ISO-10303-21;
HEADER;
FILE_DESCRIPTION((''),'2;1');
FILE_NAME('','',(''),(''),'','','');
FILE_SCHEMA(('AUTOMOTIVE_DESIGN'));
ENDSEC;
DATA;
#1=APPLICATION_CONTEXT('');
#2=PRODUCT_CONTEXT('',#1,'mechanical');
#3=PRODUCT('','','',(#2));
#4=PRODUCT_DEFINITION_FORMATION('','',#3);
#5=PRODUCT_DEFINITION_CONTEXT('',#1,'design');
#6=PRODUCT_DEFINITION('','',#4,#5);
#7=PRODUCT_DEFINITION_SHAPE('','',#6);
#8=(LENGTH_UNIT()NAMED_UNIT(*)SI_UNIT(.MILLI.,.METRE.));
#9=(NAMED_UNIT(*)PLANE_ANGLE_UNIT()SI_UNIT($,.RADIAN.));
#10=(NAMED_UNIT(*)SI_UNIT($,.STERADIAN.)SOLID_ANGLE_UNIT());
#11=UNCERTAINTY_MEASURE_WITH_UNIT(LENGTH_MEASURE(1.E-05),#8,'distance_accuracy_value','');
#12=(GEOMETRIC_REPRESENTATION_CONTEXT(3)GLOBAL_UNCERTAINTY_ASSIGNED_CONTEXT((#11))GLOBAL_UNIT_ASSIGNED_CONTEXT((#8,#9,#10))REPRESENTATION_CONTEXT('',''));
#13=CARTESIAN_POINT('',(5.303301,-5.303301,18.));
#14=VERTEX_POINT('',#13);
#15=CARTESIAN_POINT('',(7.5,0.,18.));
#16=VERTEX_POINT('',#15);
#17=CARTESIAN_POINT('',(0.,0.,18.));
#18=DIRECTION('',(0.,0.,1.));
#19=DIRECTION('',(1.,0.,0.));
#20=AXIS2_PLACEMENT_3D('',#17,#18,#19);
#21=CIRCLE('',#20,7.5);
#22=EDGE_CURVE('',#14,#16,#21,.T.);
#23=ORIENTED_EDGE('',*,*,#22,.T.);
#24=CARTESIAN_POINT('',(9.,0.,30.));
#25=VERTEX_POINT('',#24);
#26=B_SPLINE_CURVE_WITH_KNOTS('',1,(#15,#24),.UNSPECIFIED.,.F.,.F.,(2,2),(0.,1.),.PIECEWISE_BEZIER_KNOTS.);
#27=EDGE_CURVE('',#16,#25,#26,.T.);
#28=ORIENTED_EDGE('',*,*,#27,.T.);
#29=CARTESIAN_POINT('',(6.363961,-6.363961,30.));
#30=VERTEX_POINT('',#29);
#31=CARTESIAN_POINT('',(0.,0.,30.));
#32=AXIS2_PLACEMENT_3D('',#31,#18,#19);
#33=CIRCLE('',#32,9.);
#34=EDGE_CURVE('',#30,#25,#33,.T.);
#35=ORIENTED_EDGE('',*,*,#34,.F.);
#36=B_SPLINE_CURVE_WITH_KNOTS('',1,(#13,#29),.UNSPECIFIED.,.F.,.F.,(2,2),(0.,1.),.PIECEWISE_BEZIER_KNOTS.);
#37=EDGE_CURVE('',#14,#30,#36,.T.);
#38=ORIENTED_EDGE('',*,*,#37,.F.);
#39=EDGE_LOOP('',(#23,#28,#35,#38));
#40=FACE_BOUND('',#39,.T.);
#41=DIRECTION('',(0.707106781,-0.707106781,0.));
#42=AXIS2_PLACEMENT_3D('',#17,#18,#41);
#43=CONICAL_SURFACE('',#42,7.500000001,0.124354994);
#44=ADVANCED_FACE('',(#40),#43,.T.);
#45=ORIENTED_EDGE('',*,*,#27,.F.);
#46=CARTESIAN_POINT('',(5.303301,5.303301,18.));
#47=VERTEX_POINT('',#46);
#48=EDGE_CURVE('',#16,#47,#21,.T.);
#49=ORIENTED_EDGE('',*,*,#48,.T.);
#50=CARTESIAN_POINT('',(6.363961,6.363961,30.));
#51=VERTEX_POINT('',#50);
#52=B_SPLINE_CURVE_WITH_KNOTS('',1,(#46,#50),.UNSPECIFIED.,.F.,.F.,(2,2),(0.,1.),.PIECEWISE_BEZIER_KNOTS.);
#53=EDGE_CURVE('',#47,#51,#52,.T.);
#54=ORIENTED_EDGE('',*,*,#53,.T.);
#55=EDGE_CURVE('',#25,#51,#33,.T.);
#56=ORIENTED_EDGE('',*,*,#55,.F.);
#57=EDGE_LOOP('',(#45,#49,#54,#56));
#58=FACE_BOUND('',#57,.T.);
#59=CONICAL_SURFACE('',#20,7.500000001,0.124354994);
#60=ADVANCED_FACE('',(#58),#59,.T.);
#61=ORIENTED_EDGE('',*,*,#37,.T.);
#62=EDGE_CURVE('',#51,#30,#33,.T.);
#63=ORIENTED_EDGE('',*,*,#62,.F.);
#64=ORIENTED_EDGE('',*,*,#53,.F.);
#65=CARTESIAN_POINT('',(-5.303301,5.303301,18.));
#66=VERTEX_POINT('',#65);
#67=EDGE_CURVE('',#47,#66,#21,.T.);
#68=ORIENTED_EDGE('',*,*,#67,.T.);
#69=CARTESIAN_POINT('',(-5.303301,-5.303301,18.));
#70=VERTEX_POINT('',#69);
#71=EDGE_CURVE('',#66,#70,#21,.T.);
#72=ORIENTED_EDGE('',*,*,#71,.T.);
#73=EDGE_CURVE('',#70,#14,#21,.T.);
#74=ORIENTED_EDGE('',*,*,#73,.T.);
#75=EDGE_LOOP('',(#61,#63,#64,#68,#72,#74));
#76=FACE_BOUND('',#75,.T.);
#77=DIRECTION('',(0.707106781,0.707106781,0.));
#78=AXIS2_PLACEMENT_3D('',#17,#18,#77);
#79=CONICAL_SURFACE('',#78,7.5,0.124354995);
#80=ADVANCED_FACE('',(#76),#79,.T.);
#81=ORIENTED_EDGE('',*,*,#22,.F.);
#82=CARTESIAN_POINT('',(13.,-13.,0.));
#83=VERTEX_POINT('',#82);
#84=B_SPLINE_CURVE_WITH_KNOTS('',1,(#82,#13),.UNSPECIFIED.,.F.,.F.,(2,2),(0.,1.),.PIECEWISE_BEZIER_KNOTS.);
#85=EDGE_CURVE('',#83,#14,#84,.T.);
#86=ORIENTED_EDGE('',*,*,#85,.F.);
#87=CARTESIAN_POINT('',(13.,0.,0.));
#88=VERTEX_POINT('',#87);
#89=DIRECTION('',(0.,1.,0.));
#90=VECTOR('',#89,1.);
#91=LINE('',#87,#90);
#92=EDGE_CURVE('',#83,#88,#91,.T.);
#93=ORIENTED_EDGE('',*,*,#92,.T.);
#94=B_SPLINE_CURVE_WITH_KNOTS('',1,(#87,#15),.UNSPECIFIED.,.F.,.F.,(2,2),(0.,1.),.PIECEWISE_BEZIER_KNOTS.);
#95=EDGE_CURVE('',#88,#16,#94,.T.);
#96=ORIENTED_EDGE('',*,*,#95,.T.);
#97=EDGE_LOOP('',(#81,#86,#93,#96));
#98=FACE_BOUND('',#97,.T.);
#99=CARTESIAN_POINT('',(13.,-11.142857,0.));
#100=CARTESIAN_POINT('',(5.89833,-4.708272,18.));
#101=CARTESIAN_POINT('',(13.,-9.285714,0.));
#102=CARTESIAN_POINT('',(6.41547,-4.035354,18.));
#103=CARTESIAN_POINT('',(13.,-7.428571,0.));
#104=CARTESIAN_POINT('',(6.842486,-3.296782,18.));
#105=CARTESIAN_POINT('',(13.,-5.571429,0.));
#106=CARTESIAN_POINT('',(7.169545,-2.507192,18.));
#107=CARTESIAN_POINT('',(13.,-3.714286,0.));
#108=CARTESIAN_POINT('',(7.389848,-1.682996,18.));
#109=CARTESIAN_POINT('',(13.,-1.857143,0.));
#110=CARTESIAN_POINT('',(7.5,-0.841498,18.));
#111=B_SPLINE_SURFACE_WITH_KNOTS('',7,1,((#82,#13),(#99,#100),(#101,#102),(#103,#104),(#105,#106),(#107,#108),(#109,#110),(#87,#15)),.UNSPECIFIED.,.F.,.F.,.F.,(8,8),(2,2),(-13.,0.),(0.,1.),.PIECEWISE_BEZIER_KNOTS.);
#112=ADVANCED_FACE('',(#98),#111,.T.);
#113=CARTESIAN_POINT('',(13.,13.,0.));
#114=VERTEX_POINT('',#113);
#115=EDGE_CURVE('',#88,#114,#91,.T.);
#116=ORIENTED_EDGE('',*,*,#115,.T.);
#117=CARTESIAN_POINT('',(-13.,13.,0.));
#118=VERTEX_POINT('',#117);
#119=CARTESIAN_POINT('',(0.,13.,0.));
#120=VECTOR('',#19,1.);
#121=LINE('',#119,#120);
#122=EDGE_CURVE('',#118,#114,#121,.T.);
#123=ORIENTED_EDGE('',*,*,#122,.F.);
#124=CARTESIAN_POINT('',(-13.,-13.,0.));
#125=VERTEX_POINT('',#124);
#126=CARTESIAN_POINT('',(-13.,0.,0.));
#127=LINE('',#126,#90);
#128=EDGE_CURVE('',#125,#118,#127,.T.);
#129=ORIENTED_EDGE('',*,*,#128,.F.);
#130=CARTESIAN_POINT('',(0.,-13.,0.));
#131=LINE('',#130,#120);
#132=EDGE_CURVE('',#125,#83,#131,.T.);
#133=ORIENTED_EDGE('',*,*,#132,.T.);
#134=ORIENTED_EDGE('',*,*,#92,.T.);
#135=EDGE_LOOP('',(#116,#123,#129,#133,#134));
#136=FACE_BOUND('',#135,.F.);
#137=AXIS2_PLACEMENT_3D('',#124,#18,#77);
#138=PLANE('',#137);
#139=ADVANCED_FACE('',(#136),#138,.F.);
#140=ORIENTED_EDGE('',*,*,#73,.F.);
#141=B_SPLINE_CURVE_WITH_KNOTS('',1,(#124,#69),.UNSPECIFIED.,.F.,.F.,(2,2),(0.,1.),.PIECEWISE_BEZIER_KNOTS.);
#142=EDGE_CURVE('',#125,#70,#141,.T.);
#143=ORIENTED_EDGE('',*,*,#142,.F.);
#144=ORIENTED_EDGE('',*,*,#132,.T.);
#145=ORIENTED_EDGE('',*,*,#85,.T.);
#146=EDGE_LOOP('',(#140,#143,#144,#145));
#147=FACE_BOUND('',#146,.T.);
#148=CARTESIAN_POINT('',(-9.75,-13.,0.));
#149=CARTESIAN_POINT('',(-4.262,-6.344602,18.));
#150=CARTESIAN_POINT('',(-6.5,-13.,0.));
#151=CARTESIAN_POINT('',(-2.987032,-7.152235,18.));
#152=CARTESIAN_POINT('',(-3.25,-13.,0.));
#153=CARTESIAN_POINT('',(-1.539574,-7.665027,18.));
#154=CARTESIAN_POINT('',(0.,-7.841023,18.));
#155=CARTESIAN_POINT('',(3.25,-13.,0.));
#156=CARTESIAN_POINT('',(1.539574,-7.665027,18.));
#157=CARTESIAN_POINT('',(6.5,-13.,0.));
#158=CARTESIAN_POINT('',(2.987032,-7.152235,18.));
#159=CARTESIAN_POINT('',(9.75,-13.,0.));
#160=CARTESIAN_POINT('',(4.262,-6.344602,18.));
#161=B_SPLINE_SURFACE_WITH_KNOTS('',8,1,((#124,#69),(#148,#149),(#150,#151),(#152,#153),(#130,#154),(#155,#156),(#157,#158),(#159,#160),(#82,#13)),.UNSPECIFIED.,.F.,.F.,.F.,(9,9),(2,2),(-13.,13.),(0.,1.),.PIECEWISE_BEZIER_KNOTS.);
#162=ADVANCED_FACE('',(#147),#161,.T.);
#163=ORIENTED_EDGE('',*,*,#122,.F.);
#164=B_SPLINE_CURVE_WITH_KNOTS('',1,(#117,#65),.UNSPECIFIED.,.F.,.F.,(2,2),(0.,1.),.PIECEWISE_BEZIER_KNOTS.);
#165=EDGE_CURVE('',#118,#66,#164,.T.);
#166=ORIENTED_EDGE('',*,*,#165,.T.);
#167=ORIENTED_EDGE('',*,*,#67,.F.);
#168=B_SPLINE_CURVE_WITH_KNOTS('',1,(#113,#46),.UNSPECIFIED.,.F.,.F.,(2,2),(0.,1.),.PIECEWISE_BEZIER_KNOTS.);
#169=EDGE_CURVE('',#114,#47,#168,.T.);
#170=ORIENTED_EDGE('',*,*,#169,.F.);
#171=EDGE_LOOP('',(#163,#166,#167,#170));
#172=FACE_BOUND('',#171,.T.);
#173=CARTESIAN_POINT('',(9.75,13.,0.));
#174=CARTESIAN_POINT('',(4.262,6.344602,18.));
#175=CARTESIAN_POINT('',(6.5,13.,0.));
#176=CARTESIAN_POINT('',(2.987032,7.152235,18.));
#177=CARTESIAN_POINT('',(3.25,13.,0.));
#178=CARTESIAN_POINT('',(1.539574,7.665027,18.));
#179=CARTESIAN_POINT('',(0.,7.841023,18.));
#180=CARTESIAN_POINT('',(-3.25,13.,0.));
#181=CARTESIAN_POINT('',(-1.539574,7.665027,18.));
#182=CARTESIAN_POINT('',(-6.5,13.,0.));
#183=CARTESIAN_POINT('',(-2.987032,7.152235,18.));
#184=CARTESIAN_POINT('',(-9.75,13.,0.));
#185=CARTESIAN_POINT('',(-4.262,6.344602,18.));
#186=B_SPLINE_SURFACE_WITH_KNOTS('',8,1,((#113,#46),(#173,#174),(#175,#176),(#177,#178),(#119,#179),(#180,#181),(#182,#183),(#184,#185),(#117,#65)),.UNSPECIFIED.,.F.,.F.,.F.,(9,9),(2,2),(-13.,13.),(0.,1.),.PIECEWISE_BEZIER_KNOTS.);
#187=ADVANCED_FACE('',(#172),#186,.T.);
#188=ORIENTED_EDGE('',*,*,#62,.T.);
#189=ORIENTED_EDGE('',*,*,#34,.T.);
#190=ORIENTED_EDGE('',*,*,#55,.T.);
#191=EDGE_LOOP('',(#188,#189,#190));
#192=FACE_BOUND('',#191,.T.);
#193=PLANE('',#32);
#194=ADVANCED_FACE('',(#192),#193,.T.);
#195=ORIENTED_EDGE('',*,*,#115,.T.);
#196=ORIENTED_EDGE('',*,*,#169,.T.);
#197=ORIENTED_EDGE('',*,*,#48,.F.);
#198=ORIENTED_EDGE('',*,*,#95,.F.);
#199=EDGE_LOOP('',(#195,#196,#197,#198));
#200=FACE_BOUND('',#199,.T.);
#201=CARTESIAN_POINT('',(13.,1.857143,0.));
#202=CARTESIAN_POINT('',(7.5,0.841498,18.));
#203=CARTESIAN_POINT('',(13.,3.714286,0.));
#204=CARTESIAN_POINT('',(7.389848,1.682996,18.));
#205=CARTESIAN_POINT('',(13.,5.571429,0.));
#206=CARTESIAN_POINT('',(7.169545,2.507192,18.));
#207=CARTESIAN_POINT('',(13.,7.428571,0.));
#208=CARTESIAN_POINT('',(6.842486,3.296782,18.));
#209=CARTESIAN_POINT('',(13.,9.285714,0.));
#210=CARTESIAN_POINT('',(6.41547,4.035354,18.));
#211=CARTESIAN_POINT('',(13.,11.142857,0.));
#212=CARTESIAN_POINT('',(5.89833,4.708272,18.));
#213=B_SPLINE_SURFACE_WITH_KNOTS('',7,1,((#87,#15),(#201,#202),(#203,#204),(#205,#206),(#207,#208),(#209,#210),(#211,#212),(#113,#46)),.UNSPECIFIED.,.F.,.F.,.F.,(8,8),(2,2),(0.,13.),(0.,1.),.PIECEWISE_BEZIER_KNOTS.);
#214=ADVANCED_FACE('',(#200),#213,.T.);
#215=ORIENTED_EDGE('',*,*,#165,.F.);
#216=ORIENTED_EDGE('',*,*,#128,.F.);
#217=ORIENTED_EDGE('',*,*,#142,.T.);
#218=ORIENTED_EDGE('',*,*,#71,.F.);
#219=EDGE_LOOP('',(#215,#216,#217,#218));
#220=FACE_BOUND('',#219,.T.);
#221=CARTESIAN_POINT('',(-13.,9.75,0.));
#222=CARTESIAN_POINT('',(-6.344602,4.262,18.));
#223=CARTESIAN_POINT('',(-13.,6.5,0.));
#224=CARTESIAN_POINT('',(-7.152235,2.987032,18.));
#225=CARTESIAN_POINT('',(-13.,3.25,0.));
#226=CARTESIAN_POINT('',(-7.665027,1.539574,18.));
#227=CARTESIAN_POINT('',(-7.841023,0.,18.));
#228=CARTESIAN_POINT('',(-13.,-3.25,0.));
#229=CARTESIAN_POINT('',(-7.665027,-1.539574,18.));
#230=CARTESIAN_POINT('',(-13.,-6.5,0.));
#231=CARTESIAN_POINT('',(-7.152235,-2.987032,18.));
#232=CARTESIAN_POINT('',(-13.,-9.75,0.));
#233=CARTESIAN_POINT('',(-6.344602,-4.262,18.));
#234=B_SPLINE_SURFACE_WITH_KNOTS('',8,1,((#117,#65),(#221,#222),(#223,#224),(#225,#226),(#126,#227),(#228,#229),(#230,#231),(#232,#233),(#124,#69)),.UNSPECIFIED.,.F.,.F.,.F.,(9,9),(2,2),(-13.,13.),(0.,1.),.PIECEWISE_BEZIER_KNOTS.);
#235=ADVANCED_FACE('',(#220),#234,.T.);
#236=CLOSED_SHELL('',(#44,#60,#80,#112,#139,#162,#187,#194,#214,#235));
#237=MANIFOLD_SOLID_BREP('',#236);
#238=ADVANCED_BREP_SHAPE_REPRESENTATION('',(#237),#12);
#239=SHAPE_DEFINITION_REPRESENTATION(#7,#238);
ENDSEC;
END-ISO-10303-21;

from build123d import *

# Parameters (mm, degrees)
F0_W = 26
F0_H = 26
F3_R = 7.5
F4_R = 9


with BuildPart() as f5:
    # F0 (on Top) → F5 section 0
    with BuildSketch(Plane.XY):
        Rectangle(F0_W, F0_H)
    # F3 (on offset) → F5 section 1
    with BuildSketch(Plane.XY.offset(18)):
        Circle(F3_R)
    loft()

    # F5_face (on face) → F6 section 0
    with BuildSketch(Plane.XY.offset(18)):
        with BuildLine():
            ThreePointArc((5.3033008589, -5.3033008589), (6.9290964938, -2.8701257427), (7.5, 0))
            ThreePointArc((7.5, 0), (6.9290964938, 2.8701257427), (5.3033008589, 5.3033008589))
            ThreePointArc((5.3033008589, 5.3033008589), (0, 7.5), (-5.3033008589, 5.3033008589))
            ThreePointArc((-5.3033008589, 5.3033008589), (-7.5, 0), (-5.3033008589, -5.3033008589))
            ThreePointArc((-5.3033008589, -5.3033008589), (0, -7.5), (5.3033008589, -5.3033008589))
        make_face()
    # F4 (on offset) → F6 section 1
    with BuildSketch(Plane.XY.offset(30)):
        Circle(F4_R)
    loft()


solid = f5.part
